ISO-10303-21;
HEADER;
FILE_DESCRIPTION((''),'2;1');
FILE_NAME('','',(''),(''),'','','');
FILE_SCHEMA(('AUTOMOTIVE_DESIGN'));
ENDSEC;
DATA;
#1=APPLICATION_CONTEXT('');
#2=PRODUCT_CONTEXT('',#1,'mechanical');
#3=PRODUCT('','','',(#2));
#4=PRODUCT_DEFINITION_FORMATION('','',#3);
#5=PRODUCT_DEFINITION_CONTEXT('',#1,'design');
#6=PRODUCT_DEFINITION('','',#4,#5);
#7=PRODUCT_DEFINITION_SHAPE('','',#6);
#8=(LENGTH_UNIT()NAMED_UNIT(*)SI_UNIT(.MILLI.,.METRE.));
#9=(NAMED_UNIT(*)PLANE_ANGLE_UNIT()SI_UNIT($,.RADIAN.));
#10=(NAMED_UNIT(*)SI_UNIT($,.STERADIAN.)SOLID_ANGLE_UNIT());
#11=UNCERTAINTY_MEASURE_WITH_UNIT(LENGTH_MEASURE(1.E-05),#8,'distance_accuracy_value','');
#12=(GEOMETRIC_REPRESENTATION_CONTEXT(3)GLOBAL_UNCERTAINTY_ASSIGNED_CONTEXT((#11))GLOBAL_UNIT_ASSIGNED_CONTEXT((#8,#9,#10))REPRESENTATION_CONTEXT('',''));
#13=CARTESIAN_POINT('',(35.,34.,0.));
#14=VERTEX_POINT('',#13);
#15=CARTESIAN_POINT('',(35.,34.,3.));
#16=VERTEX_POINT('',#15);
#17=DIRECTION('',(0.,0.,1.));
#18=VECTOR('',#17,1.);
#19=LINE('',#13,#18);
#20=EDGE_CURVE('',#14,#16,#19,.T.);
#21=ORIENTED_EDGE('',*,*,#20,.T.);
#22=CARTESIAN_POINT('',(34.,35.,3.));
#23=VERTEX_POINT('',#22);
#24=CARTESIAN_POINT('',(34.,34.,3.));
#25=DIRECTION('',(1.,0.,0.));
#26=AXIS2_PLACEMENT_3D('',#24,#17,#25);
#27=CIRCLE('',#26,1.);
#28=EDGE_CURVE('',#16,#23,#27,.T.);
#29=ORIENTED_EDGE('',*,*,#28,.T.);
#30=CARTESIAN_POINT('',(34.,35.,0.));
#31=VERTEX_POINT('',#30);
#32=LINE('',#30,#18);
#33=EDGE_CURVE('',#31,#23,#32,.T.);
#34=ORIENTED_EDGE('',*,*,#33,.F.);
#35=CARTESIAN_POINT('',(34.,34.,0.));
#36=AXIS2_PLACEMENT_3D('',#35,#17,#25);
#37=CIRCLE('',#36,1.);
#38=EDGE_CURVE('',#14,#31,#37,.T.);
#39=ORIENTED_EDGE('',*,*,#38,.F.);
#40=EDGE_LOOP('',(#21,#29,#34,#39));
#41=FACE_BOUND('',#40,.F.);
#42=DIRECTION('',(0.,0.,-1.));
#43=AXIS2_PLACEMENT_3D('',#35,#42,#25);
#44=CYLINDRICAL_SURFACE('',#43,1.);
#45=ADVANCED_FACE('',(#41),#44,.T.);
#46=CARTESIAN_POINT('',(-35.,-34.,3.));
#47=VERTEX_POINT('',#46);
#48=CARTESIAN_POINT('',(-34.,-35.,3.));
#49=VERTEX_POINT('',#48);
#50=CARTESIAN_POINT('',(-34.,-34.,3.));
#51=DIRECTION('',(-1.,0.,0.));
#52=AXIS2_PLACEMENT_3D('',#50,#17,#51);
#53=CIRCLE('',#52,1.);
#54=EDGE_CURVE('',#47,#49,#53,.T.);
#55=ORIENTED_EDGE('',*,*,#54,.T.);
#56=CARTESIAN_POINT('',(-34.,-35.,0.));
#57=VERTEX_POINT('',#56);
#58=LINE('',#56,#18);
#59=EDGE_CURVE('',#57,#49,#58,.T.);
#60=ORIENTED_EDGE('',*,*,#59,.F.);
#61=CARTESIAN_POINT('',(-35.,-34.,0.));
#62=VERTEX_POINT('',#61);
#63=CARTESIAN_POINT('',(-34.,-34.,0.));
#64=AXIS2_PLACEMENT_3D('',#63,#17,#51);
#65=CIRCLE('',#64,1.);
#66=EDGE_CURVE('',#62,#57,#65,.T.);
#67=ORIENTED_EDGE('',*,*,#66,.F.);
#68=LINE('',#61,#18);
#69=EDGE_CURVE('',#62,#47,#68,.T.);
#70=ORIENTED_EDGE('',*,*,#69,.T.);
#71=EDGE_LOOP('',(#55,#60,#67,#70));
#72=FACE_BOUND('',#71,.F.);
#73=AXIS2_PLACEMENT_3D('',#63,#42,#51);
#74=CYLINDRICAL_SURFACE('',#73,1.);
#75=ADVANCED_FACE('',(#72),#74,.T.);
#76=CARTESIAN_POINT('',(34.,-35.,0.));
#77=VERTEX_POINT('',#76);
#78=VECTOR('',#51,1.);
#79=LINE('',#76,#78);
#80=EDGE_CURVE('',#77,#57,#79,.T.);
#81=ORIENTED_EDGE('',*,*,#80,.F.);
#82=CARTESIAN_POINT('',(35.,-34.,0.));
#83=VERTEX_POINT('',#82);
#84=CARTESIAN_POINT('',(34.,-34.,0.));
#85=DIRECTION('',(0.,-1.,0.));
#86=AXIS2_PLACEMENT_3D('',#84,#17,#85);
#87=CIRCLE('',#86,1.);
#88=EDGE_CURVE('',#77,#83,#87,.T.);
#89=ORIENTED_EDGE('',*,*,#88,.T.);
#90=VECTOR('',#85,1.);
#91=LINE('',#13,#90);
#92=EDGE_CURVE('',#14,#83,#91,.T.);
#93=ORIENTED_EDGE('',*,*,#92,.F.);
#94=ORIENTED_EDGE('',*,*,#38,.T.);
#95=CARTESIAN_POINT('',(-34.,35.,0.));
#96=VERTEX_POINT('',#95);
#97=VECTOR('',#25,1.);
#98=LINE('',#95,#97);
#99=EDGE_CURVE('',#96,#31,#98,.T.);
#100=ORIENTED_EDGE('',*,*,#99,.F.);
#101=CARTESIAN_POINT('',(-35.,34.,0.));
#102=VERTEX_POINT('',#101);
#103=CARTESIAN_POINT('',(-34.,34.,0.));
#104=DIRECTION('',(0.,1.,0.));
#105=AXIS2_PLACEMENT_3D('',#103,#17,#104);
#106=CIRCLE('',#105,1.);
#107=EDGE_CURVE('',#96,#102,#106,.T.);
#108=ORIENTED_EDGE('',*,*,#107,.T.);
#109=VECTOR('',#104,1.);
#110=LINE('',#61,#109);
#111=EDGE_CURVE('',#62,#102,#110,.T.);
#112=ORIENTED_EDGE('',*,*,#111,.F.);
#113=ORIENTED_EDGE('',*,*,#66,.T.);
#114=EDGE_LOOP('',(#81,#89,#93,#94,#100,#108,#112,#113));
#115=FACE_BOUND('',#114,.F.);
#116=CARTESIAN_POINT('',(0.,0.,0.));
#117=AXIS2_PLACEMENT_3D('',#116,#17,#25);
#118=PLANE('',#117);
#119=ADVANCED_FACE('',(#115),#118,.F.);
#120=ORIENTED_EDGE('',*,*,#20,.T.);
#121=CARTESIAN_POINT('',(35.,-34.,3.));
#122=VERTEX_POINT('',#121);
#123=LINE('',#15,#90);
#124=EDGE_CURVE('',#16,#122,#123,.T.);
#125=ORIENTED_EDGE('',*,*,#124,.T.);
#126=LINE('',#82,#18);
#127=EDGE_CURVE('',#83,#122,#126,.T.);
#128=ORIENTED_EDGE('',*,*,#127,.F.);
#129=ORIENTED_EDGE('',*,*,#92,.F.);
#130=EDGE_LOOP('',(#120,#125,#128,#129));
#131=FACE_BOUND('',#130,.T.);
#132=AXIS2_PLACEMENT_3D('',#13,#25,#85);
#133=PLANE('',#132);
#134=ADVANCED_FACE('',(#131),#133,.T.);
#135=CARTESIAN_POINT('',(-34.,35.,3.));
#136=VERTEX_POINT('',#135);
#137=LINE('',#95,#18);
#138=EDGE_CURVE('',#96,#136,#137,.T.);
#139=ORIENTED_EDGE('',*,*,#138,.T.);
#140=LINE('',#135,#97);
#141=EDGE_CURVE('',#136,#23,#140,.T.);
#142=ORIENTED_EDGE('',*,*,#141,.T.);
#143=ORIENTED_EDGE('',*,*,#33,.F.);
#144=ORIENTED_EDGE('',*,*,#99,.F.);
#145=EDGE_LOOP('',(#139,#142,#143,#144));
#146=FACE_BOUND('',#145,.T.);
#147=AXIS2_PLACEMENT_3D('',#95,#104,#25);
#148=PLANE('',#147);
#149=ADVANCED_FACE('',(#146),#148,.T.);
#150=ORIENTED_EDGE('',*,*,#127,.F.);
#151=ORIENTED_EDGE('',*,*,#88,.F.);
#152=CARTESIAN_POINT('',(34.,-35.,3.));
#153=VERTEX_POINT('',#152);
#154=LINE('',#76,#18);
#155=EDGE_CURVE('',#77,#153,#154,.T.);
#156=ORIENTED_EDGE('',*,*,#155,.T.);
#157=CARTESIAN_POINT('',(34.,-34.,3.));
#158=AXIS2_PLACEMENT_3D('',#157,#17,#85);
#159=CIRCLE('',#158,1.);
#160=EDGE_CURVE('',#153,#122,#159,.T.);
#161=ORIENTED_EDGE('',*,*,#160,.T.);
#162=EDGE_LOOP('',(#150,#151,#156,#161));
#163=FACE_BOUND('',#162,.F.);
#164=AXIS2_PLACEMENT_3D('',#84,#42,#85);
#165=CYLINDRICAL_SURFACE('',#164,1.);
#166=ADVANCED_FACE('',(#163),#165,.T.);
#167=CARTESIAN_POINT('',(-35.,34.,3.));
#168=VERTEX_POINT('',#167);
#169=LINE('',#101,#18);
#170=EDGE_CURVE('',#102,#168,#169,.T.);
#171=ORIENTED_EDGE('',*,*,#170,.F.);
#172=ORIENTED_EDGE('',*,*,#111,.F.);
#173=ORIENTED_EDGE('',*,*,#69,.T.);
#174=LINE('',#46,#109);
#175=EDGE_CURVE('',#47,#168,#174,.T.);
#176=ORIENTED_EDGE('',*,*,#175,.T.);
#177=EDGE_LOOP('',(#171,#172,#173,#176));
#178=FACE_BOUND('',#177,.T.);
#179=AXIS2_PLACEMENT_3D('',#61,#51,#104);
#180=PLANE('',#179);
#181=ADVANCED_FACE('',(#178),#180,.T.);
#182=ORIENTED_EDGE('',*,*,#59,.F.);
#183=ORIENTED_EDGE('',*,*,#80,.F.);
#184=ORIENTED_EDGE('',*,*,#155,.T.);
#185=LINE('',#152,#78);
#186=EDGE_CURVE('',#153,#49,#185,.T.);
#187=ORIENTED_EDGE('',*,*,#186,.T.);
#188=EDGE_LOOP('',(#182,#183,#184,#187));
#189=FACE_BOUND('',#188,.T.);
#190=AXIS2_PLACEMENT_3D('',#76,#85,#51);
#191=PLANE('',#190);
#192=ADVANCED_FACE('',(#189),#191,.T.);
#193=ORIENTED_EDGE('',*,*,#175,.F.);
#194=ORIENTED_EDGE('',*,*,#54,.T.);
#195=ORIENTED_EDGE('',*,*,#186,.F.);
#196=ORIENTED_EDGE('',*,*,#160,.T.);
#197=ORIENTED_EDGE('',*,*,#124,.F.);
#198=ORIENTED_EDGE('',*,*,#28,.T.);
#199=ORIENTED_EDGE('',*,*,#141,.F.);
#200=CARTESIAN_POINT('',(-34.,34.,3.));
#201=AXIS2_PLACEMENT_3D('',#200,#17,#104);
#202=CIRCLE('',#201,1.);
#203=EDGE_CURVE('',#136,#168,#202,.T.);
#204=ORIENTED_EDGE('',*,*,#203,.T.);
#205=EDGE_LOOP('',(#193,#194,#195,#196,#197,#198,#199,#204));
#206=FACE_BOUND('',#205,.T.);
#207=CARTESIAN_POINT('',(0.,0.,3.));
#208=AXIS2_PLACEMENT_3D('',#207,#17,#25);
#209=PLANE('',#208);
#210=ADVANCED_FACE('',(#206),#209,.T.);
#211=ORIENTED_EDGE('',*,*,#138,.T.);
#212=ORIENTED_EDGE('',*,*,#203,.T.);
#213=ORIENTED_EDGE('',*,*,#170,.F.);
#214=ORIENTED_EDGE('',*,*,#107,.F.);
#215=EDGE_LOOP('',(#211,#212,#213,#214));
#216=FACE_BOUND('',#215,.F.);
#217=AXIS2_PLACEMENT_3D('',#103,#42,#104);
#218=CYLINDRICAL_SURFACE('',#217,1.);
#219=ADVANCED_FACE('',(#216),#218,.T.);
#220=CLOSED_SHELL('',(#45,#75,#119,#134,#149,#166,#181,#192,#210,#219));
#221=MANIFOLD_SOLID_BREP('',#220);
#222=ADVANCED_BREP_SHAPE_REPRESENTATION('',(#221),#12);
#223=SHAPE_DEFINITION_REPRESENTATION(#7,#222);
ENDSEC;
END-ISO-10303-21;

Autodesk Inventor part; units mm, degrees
ref_plane "YZ Plane" through (0, 0, 0) normal (1, 0, 0) x (0, 1, 0)
ref_plane "XZ Plane" through (0, 0, 0) normal (0, 1, 0) x (-1, 0, 0)
ref_plane "XY Plane" through (0, 0, 0) normal (0, 0, 1) x (1, 0, 0)
sketch "Sketch1" plane through (0, 0, 0) normal (0, 0, 1) x (1, 0, 0)
  line L0 (35, 34) -> (35, -34)
  line L1 (34, -35) -> (-34, -35)
  line L2 (-35, -34) -> (-35, 34)
  line L3 (-34, 35) -> (34, 35)
  arc A0 (-34, 35) -> (-35, 34) centre (-34, 34) ccw
  arc A1 (35, 34) -> (34, 35) centre (34, 34) ccw
  arc A2 (34, -35) -> (35, -34) centre (34, -34) ccw
  arc A3 (-35, -34) -> (-34, -35) centre (-34, -34) ccw
  point P0 (0, 0)
  point P1 (0, 0)
  point P2 (35, 35)
  point P3 (35, -35)
  point P4 (-35, -35)
  point P5 (-35, 35)
  dimension "d0" = 70
  dimension "d1" = 1
extrude "Extrusion1" add sketch "Sketch1" along normal blind 3
properties part number "3136 1094 58" material "Steel, Mild"
